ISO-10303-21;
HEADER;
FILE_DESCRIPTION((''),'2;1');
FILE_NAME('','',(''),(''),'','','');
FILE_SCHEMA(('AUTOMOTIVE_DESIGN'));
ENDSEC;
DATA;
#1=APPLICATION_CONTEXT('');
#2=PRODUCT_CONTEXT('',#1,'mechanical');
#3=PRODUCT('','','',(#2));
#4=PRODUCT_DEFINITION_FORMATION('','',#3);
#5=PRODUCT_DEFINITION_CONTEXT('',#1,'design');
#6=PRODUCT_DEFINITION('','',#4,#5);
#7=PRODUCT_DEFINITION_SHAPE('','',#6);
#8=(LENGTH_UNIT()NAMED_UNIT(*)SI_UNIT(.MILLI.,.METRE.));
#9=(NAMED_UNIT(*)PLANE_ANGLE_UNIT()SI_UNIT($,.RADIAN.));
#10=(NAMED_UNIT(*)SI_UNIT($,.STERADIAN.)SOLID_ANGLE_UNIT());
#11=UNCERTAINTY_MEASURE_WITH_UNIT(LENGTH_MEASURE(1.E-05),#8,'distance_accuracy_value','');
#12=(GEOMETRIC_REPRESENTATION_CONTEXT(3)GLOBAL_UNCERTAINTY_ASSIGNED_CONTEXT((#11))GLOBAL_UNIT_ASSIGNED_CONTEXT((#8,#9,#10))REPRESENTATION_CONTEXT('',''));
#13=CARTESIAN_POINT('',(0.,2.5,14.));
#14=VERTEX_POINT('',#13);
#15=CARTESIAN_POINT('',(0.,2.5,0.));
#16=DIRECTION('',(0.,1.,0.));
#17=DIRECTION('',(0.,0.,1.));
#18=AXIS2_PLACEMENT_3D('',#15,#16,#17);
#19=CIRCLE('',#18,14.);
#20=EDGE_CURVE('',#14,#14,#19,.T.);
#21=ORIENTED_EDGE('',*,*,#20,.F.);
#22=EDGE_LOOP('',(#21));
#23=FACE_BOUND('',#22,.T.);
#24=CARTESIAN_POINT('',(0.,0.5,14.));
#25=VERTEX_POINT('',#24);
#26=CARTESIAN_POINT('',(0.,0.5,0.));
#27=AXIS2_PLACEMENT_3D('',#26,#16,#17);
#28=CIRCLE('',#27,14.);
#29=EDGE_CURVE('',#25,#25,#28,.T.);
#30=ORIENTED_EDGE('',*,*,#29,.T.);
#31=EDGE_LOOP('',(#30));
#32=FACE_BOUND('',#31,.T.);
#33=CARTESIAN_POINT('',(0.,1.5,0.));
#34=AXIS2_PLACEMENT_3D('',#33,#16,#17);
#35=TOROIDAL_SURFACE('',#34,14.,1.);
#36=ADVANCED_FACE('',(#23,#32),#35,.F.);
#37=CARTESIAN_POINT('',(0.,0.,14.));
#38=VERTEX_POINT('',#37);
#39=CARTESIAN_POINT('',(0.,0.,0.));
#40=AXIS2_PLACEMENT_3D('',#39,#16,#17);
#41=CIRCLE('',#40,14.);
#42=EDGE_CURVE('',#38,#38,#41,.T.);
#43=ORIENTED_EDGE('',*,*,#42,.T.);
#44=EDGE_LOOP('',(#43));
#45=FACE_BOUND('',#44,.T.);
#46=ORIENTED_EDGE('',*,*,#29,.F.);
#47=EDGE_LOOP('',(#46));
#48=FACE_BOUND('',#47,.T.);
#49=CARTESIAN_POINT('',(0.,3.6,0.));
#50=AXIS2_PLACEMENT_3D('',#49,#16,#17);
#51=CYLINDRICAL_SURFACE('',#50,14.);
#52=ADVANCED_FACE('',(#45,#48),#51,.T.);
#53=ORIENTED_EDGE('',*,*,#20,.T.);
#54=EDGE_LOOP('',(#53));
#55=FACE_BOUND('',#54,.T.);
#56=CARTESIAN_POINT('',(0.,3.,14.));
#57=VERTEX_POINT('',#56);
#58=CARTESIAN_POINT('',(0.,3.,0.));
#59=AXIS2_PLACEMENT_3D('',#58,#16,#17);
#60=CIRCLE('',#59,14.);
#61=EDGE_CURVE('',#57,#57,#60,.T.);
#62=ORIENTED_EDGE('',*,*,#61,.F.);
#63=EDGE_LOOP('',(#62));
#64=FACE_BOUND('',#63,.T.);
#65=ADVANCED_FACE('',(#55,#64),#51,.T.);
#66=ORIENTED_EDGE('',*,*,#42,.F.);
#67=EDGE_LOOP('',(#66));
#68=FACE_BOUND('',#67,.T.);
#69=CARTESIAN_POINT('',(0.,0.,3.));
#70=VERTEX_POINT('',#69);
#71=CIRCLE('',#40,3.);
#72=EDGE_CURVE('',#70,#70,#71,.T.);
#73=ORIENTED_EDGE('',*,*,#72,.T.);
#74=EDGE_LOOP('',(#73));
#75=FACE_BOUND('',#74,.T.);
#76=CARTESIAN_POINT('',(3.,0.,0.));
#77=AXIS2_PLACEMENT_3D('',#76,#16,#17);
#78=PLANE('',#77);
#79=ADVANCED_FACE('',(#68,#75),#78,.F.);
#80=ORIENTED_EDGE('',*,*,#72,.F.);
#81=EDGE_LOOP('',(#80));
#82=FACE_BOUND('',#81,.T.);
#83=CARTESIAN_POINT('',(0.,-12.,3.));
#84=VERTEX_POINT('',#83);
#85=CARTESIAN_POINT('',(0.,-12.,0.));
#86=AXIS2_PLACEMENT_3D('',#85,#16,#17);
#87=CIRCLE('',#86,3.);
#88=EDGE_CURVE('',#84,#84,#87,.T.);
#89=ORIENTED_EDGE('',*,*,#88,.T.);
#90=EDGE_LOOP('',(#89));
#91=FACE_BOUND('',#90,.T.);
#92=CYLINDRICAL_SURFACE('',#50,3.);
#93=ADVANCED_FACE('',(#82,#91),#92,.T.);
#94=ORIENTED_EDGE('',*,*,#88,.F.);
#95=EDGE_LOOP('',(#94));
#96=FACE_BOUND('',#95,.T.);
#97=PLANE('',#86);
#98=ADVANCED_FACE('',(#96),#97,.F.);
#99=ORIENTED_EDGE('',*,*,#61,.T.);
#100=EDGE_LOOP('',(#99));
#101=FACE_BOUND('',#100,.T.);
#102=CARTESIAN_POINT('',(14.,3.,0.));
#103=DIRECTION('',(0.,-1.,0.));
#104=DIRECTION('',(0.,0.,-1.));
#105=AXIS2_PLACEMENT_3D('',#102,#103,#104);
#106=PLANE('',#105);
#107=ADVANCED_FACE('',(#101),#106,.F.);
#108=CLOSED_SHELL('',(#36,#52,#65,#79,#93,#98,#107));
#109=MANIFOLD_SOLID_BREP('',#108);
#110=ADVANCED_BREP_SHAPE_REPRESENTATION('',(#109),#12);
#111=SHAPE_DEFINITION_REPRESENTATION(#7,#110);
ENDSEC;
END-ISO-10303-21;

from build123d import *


with BuildPart() as part:
    # Sketch1 → Revolve1 (revolve)
    with BuildSketch(Plane.XY):
        with BuildLine():
            Line((3, 0), (14, 0))
            Line((14, 0), (14, 0.5))
            ThreePointArc((14, 0.5), (13, 1.5), (14, 2.5))
            Line((14, 2.5), (14, 3))
            Line((14, 3), (0, 3))
            Line((0, 3), (0, -12))
            Line((0, -12), (3, -12))
            Line((3, -12), (3, 0))
        make_face()
    revolve(axis=Axis((0, 3.6, 0), (0, -1, 0)))


solid = part.part
